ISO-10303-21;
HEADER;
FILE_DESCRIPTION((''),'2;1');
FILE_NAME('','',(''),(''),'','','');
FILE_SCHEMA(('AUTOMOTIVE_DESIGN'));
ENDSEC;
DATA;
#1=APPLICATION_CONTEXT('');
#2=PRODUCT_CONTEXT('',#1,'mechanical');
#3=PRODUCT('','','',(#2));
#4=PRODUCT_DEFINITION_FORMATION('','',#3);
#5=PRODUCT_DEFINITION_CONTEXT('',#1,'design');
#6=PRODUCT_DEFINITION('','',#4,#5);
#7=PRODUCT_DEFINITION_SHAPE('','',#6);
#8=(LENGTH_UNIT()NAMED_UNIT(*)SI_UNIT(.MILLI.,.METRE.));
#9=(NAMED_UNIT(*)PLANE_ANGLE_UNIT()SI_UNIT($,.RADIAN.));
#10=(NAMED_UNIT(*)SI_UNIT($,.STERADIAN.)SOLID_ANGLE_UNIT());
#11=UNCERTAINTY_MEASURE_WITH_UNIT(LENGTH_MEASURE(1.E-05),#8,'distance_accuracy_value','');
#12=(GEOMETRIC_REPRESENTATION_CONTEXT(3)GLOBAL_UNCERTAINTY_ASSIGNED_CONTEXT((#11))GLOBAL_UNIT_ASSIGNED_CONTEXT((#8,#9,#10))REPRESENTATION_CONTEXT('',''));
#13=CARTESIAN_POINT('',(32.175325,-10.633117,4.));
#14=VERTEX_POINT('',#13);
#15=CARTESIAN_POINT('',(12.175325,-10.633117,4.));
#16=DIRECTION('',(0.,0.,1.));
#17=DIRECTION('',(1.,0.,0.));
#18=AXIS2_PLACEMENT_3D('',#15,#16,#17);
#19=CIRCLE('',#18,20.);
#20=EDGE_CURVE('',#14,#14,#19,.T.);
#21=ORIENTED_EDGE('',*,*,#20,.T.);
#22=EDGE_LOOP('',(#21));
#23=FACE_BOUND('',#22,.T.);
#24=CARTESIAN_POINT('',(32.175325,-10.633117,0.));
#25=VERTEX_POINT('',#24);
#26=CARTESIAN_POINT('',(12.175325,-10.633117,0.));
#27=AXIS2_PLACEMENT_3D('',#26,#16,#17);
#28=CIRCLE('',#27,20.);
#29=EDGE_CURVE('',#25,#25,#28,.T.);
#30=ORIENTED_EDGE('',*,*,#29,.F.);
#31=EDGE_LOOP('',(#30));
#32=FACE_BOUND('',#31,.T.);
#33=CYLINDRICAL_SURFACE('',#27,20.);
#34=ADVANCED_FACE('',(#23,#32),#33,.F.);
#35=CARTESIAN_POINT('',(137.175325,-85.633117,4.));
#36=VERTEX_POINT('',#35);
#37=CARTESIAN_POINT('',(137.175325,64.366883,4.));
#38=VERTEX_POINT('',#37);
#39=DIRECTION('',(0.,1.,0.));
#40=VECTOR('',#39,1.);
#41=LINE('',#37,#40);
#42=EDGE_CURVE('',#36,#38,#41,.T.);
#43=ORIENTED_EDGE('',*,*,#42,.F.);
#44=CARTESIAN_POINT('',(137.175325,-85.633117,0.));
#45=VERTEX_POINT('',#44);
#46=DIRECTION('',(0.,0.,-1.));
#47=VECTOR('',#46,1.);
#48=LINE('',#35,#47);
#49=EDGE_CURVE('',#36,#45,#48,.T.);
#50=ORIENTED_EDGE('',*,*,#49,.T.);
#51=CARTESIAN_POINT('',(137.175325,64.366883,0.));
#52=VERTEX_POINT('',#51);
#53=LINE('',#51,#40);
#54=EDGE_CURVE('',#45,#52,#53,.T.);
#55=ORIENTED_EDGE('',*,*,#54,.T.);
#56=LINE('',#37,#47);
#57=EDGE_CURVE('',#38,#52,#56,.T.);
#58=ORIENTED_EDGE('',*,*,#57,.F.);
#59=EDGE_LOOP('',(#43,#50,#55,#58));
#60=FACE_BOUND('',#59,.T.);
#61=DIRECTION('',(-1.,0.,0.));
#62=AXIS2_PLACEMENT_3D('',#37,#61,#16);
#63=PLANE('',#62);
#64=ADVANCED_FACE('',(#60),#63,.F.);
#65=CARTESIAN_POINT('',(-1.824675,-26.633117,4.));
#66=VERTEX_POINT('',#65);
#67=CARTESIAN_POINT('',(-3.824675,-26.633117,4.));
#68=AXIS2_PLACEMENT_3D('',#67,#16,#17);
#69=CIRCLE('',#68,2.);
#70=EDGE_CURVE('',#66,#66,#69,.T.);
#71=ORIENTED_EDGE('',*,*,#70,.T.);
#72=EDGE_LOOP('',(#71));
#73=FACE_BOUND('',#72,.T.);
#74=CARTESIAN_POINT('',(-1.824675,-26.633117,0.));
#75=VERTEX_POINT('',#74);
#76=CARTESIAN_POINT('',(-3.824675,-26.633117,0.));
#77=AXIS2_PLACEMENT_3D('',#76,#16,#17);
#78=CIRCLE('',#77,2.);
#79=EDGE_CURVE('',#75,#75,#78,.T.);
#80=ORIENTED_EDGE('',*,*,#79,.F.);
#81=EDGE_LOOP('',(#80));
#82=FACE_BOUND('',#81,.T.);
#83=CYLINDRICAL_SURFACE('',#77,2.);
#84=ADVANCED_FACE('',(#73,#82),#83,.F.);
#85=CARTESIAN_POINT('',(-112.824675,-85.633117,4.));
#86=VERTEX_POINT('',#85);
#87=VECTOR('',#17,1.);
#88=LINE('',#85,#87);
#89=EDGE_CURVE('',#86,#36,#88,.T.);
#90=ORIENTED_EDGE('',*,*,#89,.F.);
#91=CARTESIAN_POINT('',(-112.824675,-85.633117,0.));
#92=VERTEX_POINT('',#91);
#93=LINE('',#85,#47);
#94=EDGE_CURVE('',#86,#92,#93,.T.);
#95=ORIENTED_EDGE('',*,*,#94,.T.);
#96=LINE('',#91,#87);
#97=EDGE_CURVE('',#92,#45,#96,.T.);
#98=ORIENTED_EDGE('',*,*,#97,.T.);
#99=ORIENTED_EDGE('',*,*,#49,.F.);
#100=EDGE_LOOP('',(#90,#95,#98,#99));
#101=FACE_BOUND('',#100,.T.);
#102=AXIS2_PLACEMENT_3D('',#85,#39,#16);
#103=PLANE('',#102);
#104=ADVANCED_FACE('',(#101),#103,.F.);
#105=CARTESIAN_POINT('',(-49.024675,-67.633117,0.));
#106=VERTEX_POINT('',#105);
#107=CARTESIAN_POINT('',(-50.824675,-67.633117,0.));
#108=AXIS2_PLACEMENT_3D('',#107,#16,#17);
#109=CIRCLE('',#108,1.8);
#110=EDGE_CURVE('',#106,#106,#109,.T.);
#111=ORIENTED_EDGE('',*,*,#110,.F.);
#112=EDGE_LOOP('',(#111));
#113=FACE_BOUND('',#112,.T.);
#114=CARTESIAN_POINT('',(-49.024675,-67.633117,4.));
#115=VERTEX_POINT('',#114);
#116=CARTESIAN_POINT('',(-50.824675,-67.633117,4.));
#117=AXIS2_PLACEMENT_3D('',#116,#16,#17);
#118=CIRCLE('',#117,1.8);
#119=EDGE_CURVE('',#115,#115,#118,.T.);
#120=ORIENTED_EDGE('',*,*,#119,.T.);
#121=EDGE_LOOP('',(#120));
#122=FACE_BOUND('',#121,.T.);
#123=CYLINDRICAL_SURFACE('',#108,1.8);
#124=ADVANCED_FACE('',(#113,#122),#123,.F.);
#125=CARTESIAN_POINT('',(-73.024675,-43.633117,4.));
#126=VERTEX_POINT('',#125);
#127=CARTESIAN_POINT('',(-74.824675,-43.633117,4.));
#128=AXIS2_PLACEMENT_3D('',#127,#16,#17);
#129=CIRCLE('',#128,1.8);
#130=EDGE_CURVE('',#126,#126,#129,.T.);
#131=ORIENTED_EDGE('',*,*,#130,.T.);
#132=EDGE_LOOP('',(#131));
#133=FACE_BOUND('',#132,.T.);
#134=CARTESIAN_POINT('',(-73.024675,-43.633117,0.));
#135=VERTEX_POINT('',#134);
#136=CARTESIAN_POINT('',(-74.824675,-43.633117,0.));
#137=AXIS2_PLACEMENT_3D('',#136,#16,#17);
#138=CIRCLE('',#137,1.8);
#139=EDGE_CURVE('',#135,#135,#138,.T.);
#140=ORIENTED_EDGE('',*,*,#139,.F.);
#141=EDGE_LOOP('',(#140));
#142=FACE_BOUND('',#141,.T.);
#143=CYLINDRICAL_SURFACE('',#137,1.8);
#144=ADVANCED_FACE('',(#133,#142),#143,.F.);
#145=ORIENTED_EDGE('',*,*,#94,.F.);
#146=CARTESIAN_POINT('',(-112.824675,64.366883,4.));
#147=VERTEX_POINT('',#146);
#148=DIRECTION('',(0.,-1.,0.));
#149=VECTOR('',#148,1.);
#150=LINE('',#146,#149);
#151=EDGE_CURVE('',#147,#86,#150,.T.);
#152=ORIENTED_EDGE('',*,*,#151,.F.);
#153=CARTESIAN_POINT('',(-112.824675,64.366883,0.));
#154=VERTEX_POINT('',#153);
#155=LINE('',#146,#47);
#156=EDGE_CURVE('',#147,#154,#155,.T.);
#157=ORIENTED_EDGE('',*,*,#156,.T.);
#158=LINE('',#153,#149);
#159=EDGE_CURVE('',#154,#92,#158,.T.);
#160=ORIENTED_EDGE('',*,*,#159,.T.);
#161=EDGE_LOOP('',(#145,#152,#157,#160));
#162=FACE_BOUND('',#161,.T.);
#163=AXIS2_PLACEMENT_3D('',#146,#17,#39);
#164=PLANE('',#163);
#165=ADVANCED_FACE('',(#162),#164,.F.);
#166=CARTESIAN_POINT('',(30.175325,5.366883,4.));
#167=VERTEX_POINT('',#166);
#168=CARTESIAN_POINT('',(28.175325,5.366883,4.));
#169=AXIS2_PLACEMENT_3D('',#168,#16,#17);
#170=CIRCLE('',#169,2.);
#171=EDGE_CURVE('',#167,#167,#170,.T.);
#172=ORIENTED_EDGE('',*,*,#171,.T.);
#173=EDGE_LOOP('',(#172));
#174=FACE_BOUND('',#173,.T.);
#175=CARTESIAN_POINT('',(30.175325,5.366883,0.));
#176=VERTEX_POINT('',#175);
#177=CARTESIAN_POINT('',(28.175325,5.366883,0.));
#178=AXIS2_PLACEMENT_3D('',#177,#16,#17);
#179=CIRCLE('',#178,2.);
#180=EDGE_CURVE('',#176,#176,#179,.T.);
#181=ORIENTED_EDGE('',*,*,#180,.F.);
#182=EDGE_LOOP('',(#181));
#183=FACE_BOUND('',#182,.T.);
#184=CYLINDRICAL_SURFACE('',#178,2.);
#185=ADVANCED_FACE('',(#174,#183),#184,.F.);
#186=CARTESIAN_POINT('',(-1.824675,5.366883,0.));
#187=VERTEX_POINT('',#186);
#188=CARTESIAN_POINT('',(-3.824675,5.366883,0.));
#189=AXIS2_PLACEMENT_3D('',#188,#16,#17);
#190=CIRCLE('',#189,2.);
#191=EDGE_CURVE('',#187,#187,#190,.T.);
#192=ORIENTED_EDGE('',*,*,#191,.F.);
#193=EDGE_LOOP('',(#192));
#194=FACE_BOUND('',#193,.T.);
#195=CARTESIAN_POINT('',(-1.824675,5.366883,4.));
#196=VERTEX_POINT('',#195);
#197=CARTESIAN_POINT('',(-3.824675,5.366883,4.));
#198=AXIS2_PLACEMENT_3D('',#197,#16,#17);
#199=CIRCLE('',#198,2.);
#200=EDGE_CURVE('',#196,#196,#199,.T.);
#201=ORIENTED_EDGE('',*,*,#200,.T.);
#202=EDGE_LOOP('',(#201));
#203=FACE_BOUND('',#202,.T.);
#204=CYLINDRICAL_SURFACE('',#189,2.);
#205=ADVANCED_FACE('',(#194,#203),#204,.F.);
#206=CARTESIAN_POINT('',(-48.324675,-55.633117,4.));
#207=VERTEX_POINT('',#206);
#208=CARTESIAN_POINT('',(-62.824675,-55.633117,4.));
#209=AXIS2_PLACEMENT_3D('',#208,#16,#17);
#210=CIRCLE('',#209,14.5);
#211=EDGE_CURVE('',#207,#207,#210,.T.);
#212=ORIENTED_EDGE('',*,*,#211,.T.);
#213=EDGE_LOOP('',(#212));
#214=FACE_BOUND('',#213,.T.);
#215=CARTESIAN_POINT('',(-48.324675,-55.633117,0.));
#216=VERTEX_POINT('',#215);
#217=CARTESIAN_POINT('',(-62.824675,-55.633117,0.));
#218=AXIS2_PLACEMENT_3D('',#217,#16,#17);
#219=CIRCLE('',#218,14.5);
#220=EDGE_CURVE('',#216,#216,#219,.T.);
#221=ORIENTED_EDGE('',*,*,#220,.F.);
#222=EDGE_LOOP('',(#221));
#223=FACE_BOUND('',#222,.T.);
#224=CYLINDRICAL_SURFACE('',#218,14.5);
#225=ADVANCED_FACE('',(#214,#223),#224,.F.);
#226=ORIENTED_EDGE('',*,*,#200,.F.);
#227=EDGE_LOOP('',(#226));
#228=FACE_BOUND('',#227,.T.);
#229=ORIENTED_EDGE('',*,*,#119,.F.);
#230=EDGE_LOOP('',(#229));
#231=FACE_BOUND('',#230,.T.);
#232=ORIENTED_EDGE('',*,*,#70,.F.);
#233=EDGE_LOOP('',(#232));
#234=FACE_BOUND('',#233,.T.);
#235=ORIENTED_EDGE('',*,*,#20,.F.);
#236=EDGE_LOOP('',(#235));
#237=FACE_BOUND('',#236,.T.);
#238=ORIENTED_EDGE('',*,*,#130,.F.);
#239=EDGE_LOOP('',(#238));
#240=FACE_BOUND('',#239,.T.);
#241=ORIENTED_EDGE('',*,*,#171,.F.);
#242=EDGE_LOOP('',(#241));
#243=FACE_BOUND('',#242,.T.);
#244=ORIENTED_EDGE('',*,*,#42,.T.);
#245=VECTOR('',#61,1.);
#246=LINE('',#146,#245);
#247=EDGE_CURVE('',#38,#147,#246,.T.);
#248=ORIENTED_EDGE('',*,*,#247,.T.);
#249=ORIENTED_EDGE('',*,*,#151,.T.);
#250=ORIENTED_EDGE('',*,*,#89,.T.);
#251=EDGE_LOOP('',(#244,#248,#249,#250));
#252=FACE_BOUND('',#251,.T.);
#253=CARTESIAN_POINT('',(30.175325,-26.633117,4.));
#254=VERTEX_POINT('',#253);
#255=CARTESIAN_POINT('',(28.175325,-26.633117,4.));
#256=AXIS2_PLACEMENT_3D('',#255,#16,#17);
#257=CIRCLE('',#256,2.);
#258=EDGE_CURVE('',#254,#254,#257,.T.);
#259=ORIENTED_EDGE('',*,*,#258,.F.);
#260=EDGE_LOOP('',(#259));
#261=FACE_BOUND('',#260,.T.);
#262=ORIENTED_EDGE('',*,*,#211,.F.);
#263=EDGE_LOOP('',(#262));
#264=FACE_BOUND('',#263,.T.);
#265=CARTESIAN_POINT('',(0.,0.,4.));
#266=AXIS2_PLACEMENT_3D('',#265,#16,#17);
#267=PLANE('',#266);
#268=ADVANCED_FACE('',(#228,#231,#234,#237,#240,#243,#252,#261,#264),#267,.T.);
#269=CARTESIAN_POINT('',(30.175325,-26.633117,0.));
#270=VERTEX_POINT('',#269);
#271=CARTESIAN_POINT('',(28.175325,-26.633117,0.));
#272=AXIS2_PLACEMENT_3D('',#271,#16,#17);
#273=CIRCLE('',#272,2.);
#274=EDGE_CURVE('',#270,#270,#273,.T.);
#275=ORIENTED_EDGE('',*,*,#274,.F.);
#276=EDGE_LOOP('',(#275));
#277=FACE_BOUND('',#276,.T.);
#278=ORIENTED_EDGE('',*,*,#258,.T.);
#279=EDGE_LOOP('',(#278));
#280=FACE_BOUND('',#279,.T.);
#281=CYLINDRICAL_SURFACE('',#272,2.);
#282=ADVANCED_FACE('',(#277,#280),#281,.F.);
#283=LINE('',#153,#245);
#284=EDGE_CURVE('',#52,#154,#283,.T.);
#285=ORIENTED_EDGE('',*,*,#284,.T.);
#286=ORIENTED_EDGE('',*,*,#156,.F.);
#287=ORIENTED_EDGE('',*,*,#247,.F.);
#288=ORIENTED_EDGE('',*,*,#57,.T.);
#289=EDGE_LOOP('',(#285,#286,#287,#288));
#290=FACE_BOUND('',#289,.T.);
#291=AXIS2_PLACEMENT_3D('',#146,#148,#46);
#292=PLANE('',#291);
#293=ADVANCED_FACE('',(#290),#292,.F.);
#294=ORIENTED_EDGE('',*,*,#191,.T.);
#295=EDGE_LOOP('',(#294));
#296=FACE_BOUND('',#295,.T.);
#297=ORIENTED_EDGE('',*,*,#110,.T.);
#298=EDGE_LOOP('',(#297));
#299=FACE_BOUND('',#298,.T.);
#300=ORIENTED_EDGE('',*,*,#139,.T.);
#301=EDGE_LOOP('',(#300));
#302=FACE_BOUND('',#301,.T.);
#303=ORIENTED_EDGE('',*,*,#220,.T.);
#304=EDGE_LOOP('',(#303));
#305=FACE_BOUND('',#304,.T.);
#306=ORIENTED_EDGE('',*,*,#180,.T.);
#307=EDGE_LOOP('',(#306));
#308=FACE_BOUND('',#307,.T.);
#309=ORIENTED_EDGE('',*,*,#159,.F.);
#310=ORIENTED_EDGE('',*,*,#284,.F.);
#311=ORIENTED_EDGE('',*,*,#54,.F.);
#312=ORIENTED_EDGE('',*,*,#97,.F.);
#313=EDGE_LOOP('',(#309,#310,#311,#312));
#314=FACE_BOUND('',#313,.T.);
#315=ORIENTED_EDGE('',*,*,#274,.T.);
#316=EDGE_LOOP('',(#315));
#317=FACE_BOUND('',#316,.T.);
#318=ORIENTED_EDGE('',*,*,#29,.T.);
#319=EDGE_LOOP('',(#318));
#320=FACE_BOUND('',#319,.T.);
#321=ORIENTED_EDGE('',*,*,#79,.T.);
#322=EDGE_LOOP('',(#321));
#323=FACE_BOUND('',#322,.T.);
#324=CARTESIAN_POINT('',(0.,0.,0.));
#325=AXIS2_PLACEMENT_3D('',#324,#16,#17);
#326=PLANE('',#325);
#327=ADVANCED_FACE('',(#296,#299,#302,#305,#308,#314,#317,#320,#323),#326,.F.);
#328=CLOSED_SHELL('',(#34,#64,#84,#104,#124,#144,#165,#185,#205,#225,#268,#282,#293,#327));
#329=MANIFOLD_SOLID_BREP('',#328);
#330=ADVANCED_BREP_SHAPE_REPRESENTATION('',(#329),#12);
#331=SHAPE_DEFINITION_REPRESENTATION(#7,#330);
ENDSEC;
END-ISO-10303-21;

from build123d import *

# Parameters (mm, degrees)
SKETCH1_W           = 250
SKETCH1_H           = 150
BOSS_EXTRUDE1_DEPTH = 4
SKETCH2_R           = 20
CUT_EXTRUDE1_DEPTH  = 4
SKETCH3_R           = 2
CUT_EXTRUDE2_DEPTH  = 4
SKETCH4_R           = 14.5
SKETCH4_R_2         = 1.8
CUT_EXTRUDE4_DEPTH  = 4


with BuildPart() as part:
    # Sketch1 → Boss-Extrude1 (new body)
    with BuildSketch(Plane.XY):
        with Locations((12.175324675, -10.633116883)):
            Rectangle(SKETCH1_W, SKETCH1_H)
    extrude(amount=BOSS_EXTRUDE1_DEPTH)

    # Sketch2 → Cut-Extrude1 (cut)
    with BuildSketch(Plane.XY.offset(4)):
        with Locations((12.175324675, -10.633116883)):
            Circle(SKETCH2_R)
    extrude(amount=-CUT_EXTRUDE1_DEPTH, mode=Mode.SUBTRACT)

    # Sketch3 → Cut-Extrude2 (cut)
    with BuildSketch(Plane.XY.offset(4)):
        with Locations((-3.824675325, 5.366883117)):
            Circle(SKETCH3_R)
        with Locations((28.175324675, 5.366883117)):
            Circle(SKETCH3_R)
        with Locations((28.175324675, -26.633116883)):
            Circle(SKETCH3_R)
        with Locations((-3.824675325, -26.633116883)):
            Circle(SKETCH3_R)
    extrude(amount=-CUT_EXTRUDE2_DEPTH, mode=Mode.SUBTRACT)

    # Sketch4 → Cut-Extrude4 (cut)
    with BuildSketch(Plane.XY.offset(4)):
        with Locations((-62.824675325, -55.633116883)):
            Circle(SKETCH4_R)
        with Locations((-74.824675325, -43.633116883)):
            Circle(SKETCH4_R_2)
        with Locations((-50.824675325, -67.633116883)):
            Circle(SKETCH4_R_2)
    extrude(amount=-CUT_EXTRUDE4_DEPTH, mode=Mode.SUBTRACT)


solid = part.part
